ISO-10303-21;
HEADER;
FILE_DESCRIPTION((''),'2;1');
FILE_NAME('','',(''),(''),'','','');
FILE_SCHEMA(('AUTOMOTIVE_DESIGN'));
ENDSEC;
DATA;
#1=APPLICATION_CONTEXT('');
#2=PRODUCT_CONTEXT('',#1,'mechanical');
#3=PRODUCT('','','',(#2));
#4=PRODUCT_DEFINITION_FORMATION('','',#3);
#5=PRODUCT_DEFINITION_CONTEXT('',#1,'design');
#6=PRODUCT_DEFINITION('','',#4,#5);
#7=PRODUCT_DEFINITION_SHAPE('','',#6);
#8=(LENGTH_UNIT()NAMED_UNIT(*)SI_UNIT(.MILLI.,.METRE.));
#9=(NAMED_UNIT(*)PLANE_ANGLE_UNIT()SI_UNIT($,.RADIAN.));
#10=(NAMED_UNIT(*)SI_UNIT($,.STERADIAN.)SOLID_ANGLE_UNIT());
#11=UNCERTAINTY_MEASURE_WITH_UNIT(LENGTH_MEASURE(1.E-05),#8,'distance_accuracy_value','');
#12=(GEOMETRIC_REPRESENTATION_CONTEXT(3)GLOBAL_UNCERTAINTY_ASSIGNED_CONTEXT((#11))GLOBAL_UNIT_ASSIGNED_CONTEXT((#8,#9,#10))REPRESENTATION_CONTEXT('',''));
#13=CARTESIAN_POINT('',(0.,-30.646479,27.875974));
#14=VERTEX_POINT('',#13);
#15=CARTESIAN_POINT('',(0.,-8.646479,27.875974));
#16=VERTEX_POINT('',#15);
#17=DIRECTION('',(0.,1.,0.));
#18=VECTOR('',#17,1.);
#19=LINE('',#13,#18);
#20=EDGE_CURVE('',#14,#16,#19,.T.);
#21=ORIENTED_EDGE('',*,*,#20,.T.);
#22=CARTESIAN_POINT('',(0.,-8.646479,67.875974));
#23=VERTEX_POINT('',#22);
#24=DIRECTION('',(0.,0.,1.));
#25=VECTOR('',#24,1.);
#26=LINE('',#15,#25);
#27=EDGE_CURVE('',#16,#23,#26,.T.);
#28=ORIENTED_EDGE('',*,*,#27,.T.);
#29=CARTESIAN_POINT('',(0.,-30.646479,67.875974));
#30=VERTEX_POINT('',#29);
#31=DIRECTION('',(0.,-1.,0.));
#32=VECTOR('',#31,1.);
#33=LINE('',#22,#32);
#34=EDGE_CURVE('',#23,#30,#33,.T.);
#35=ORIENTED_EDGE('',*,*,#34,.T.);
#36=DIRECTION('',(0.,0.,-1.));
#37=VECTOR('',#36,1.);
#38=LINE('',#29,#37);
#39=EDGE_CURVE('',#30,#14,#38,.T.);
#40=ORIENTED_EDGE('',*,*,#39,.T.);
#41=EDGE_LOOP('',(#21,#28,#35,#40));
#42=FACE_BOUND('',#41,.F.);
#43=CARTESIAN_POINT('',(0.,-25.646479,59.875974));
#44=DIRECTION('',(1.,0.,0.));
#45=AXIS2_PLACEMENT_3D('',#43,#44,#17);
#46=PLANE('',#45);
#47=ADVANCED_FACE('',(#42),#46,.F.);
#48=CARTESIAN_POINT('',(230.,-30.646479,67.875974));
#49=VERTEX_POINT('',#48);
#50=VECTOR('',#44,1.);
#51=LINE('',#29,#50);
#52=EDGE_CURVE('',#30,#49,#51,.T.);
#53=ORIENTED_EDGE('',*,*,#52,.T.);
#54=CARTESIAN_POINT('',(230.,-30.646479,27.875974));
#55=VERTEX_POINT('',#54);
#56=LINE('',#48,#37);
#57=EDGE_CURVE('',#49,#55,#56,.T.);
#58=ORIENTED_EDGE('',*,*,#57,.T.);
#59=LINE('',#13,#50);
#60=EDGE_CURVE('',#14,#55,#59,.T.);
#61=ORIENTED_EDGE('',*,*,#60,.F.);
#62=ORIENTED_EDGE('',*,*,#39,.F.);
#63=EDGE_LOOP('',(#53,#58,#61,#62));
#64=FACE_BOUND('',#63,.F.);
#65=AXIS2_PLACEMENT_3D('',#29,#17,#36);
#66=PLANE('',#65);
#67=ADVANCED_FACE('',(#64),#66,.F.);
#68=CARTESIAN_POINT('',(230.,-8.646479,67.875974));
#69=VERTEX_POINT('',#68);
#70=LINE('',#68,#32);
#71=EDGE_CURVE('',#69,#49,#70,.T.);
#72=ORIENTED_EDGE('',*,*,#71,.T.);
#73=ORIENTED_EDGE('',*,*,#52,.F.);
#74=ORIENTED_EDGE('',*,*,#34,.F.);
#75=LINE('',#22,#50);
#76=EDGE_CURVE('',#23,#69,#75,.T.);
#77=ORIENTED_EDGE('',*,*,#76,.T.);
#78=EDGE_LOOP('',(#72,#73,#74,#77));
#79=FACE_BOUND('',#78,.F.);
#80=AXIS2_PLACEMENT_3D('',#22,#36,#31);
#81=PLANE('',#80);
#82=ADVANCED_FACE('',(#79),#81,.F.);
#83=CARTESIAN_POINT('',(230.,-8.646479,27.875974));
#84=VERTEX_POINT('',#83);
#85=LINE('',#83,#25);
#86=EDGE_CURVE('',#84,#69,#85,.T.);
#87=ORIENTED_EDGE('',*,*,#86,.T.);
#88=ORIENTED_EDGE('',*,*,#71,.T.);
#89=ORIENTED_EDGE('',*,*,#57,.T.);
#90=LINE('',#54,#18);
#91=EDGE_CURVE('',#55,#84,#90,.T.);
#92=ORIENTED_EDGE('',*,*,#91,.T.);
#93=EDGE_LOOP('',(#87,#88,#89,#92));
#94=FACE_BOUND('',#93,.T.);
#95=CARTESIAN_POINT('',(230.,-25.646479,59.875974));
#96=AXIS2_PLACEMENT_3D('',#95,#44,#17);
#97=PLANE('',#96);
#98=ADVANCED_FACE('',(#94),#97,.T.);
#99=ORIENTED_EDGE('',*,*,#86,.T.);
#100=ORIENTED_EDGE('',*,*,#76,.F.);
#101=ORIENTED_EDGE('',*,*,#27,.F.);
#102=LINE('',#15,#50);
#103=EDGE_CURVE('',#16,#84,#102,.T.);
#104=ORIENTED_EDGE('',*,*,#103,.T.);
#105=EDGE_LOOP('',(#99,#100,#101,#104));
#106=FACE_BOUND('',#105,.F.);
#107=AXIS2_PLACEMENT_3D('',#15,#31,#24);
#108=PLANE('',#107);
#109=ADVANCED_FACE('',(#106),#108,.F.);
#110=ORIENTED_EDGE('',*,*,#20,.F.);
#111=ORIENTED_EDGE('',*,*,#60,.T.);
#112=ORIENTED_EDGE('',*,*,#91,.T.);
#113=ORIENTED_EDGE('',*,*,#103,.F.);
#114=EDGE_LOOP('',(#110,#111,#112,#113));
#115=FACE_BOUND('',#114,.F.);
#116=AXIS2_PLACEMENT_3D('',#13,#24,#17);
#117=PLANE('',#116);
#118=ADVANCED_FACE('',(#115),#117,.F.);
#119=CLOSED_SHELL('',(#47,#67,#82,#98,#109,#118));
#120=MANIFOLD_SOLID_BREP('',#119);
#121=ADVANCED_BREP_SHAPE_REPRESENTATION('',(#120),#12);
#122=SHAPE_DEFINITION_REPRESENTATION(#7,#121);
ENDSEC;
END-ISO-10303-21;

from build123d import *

# Parameters (mm, degrees)
F0_W     = 10
F0_H     = 8
F1_DEPTH = 230


with BuildPart() as f1:
    # F0 (on Right) → F1 (new body)
    with BuildSketch(Plane.YZ):
        with Locations((-25.646479, 59.875974)):
            Rectangle(F0_W, F0_H)
        Polygon((-8.646479, 67.875974), (-30.646479, 67.875974), (-30.646479, 63.875974), (-20.646479, 63.875974), (-20.646479, 55.875974), (-30.646479, 55.875974), (-30.646479, 27.875974), (-8.646479, 27.875974), align=None)
    extrude(amount=F1_DEPTH)


solid = f1.part
